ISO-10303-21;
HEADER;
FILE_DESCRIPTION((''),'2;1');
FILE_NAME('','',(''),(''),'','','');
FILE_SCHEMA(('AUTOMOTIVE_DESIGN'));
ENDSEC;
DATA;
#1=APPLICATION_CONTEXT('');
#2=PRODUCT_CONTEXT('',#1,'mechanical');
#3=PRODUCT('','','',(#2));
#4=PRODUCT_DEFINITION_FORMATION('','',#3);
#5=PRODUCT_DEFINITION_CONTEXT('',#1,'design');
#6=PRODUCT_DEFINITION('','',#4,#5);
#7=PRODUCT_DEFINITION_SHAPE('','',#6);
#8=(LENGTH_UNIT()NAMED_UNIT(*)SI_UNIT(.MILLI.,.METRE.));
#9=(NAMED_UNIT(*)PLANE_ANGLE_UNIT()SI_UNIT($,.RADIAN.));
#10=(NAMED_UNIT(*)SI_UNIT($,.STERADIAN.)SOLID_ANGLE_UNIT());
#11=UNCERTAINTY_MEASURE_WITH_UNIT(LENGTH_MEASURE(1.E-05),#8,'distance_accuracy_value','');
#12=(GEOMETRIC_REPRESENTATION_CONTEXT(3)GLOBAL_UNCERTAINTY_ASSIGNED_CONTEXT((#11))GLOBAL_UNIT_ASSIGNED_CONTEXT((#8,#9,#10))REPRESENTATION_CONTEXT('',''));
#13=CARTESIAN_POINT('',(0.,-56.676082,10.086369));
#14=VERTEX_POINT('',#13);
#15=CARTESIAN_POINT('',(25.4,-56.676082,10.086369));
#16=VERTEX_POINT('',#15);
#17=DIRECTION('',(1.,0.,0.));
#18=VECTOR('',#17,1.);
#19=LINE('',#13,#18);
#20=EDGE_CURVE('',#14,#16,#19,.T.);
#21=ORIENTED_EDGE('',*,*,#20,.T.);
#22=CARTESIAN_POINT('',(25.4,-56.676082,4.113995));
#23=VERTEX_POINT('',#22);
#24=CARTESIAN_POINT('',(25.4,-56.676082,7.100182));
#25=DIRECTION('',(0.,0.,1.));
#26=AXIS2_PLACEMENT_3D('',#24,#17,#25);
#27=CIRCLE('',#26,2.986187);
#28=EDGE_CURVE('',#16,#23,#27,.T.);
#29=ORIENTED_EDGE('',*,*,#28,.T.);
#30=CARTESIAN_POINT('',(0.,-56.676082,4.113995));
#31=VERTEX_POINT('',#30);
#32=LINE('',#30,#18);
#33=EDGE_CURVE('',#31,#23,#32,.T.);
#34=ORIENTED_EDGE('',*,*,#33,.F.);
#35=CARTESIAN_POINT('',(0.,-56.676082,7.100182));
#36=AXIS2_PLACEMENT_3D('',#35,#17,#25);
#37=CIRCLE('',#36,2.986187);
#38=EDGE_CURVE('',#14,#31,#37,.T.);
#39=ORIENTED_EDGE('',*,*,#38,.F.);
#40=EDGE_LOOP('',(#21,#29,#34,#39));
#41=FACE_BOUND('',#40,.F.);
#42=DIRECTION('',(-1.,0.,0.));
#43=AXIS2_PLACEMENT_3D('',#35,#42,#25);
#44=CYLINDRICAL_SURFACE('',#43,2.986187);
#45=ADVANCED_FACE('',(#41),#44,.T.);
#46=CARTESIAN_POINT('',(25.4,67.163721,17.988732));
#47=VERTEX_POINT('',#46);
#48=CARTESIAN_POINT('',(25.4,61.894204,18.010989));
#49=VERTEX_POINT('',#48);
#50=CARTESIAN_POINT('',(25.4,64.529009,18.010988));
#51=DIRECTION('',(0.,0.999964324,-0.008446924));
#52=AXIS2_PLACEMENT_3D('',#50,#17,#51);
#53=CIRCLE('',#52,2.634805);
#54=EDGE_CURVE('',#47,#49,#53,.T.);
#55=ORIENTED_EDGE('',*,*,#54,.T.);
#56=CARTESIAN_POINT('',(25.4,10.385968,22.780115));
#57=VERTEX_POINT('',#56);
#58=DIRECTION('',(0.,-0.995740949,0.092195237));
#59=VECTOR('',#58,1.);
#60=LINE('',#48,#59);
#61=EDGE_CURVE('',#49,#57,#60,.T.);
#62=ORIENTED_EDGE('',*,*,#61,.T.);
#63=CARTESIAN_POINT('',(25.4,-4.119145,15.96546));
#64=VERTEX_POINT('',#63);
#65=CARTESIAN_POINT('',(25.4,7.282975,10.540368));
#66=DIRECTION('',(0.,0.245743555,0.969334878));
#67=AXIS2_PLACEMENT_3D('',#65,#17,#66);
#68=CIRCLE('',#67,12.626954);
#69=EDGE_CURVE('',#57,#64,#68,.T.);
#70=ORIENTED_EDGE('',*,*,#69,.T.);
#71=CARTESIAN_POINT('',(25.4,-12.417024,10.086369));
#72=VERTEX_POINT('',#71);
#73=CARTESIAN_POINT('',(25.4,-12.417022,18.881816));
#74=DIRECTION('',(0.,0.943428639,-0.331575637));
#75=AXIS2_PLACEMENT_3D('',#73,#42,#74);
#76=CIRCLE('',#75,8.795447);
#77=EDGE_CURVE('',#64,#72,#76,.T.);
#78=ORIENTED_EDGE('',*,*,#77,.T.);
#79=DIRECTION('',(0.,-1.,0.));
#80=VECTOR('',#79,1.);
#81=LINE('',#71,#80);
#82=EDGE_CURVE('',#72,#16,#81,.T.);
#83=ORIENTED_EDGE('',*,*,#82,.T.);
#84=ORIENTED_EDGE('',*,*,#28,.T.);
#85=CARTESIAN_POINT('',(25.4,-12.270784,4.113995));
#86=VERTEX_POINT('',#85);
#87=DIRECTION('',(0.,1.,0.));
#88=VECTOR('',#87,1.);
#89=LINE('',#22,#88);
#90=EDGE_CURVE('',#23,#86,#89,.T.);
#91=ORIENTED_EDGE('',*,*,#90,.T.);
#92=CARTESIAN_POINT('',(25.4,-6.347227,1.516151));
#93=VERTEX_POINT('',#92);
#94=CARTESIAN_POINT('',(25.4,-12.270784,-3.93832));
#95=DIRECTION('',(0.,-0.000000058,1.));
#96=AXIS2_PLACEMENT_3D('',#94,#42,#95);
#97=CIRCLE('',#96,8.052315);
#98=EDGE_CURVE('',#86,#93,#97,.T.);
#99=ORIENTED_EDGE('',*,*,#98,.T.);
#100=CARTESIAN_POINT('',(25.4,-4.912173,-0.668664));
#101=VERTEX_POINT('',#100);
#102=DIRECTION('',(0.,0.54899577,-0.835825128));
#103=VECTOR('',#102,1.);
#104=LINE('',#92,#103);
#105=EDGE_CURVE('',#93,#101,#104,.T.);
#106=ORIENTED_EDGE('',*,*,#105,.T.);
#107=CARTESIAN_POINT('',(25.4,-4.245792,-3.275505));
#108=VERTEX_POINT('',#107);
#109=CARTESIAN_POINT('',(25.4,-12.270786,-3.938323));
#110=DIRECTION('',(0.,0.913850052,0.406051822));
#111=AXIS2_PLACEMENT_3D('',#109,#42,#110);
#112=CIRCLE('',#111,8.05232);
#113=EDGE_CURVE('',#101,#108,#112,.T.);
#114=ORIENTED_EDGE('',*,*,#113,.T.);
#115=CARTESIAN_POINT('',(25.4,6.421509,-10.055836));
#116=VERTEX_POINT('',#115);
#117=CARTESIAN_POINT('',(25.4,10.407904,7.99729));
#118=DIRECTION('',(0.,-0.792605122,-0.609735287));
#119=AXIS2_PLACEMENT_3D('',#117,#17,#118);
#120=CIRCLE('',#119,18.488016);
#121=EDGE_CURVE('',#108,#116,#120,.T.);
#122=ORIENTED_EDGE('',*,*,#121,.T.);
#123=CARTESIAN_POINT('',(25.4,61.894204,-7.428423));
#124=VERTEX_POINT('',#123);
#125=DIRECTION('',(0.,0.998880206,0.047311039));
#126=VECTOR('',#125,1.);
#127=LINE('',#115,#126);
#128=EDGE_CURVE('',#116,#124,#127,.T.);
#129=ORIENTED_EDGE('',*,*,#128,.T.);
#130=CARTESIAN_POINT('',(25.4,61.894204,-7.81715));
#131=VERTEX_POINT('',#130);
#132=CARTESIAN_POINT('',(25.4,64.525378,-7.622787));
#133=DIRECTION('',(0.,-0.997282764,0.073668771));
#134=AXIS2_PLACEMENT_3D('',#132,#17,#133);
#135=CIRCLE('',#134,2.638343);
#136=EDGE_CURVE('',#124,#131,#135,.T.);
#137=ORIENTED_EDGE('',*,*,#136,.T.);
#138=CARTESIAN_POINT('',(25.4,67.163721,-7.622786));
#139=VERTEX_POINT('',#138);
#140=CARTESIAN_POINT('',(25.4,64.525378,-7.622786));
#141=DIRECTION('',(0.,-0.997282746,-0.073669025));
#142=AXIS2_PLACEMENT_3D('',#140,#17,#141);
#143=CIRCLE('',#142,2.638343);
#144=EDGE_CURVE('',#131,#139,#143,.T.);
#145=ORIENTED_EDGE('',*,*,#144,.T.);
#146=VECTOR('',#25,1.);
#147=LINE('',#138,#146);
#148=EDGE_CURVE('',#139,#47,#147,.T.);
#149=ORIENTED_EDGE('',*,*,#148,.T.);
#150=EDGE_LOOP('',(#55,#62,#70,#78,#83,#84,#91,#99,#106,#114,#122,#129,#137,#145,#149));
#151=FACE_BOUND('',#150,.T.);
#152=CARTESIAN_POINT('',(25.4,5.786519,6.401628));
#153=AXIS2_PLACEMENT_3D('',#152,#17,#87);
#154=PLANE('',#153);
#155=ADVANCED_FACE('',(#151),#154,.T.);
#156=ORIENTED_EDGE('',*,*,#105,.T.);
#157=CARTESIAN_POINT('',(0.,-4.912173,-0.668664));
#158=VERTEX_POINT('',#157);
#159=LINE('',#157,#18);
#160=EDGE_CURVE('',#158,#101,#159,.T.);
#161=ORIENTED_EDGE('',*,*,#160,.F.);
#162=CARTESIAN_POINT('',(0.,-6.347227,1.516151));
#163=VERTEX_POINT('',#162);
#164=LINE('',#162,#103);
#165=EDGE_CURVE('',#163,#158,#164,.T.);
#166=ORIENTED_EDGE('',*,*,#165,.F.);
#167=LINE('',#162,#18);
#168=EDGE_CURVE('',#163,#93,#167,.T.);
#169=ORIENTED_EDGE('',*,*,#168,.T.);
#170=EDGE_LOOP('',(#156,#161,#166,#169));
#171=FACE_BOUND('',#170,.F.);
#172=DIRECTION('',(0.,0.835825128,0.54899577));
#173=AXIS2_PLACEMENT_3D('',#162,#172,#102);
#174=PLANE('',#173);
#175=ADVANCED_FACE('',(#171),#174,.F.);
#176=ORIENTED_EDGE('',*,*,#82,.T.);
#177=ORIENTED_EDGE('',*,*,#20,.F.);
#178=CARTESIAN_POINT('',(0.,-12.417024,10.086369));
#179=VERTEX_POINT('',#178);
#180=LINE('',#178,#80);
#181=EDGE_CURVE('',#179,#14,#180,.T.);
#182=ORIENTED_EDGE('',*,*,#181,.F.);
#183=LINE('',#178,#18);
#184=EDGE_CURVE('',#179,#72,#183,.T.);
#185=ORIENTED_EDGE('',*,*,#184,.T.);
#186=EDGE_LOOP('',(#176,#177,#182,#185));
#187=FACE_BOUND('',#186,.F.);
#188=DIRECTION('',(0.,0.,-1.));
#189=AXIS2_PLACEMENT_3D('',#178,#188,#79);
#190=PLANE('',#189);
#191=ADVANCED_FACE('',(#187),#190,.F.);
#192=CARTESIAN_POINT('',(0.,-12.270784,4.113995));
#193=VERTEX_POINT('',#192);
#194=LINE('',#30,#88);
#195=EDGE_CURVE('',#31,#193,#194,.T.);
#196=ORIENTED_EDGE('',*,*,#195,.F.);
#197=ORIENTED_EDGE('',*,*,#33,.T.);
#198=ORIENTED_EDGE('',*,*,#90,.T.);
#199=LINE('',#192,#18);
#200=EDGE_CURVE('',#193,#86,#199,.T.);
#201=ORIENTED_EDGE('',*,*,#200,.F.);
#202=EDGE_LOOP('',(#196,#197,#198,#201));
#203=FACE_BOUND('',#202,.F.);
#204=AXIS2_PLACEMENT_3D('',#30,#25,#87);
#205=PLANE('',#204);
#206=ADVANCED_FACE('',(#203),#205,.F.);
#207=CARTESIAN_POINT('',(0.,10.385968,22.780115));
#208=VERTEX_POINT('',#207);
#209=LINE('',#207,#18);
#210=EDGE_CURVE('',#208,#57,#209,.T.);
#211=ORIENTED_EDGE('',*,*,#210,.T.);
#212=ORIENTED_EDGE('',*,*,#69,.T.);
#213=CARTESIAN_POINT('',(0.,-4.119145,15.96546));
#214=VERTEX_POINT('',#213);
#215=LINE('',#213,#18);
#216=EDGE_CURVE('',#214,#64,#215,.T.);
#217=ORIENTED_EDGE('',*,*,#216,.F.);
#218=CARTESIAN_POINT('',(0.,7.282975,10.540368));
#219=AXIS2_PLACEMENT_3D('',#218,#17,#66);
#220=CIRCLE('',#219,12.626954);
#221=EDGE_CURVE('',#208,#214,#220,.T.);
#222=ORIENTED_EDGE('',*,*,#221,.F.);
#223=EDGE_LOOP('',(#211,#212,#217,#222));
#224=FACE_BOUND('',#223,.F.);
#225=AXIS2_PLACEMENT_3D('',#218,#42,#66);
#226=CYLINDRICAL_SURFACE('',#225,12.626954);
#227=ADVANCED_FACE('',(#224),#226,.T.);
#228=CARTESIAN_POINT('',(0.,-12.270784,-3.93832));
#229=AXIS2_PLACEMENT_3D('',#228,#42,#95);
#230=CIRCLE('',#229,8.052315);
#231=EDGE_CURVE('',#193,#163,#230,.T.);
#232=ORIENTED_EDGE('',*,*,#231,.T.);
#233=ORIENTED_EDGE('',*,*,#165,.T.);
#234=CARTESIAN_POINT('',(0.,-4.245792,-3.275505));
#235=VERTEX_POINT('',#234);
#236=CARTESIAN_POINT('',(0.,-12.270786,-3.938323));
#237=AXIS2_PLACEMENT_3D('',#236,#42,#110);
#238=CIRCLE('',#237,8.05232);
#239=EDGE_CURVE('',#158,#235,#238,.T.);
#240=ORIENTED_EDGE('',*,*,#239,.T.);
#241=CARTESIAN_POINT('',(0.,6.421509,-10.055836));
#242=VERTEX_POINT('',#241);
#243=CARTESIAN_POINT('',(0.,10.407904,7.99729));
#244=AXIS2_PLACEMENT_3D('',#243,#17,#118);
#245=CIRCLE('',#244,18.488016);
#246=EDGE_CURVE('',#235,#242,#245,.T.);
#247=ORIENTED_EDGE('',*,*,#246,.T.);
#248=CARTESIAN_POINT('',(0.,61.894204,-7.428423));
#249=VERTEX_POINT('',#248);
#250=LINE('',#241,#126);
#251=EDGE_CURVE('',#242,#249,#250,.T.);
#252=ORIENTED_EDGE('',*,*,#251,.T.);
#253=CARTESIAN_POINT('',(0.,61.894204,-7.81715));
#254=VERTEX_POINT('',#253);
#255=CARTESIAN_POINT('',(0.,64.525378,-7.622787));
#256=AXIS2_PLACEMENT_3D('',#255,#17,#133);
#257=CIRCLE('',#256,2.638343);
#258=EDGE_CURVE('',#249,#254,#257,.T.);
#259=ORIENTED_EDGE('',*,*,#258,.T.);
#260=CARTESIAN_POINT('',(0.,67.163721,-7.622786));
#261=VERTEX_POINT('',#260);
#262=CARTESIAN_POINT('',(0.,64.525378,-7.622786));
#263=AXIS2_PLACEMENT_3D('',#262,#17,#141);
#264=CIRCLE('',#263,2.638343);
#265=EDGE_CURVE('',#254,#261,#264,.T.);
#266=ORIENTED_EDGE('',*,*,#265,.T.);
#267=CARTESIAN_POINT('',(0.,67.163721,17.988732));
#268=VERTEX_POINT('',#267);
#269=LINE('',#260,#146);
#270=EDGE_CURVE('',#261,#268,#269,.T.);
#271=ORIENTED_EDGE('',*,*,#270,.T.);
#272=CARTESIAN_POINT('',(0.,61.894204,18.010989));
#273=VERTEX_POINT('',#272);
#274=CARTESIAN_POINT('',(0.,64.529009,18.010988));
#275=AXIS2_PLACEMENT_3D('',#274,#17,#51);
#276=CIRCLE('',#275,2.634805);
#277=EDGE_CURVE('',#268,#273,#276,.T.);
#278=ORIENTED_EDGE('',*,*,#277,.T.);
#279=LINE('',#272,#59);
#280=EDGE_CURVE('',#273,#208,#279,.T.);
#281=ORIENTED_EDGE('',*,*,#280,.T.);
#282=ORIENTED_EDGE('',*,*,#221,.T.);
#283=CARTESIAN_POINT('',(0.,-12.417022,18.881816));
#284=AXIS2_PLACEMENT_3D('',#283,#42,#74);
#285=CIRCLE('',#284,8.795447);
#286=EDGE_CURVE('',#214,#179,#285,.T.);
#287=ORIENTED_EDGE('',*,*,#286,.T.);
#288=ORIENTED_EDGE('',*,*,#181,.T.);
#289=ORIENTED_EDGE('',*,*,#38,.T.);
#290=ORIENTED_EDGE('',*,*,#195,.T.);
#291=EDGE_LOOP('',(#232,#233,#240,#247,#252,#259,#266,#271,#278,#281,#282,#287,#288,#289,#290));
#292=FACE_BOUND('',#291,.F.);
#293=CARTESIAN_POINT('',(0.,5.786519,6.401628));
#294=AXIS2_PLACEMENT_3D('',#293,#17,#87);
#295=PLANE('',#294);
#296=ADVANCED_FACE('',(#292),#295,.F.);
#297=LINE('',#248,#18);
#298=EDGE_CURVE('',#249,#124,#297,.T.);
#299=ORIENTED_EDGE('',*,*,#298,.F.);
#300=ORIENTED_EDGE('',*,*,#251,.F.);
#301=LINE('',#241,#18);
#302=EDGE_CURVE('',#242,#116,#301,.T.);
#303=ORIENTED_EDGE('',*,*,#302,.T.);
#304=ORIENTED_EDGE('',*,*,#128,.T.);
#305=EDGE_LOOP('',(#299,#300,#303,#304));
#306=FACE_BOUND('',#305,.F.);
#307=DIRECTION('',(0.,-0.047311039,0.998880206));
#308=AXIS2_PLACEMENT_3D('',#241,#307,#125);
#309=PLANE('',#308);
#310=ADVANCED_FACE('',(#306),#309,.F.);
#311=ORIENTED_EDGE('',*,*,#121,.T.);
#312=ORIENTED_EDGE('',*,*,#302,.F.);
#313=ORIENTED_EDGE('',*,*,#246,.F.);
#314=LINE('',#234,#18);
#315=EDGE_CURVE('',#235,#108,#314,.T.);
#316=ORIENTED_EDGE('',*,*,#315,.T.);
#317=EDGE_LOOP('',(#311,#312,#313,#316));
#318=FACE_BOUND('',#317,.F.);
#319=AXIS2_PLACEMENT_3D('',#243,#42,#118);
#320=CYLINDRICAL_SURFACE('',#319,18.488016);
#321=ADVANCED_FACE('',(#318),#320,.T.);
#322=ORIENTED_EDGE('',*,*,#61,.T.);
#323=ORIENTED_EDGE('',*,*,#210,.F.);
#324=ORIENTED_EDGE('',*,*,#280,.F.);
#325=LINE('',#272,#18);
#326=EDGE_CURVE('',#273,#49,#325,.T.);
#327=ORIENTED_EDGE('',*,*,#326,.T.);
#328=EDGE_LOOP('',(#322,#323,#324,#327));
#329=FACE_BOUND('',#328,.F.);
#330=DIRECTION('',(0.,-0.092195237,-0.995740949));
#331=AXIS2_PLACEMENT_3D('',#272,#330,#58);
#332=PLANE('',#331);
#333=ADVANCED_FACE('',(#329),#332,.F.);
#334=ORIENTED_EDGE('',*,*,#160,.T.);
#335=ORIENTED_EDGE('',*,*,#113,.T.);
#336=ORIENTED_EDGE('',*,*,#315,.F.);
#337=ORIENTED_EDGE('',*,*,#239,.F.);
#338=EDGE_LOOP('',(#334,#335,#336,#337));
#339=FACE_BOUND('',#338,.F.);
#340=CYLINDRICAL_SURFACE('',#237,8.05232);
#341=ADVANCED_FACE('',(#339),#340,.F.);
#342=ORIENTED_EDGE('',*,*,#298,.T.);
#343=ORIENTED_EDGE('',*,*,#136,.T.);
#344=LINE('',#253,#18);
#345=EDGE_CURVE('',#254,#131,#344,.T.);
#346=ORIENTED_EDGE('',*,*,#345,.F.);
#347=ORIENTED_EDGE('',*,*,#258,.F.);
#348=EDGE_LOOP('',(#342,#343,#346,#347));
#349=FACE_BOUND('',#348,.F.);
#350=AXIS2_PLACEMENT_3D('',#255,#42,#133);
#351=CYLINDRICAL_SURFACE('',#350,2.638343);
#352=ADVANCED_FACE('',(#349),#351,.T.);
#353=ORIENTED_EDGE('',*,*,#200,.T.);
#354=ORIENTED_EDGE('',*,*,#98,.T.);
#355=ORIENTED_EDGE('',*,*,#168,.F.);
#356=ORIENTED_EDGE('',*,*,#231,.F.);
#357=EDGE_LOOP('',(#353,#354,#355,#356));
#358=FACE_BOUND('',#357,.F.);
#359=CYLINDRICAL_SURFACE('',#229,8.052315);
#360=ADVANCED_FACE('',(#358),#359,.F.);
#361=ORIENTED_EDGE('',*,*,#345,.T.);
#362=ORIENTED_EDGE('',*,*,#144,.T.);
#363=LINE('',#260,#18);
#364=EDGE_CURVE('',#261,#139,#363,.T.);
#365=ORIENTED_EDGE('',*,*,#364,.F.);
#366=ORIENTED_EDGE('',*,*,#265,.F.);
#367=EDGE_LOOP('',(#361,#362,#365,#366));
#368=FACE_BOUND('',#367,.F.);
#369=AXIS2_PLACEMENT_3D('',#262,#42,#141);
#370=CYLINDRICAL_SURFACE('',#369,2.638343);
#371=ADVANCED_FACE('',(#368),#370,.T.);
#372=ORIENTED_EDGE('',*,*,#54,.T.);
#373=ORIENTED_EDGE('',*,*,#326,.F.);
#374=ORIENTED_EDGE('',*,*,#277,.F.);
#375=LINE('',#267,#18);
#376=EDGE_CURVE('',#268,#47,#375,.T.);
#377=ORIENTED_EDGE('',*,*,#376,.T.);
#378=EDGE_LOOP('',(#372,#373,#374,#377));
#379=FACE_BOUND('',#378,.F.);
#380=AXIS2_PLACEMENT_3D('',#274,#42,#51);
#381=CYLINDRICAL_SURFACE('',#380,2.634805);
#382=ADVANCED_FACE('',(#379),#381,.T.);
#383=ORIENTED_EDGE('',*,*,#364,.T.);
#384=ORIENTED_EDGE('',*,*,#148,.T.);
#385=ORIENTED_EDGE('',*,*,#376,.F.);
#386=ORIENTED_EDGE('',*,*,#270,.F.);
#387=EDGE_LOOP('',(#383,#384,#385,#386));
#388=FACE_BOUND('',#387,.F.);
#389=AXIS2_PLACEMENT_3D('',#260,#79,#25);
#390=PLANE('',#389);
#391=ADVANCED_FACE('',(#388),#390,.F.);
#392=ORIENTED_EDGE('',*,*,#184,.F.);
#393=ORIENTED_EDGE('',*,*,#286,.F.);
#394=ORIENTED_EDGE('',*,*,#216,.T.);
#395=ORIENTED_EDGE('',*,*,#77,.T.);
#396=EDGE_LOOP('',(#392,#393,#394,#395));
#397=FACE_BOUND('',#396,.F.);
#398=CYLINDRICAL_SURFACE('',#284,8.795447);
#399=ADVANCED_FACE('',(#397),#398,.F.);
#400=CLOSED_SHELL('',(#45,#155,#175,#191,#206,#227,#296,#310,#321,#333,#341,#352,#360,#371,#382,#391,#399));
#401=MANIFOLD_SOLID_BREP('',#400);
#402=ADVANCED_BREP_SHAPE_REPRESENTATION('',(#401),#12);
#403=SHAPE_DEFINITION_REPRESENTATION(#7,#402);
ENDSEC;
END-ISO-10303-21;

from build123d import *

# Parameters (mm, degrees)
F1_DEPTH = 25.4


with BuildPart() as f1:
    # F0 (on Right) → F1 (new body)
    with BuildSketch(Plane.YZ):
        with BuildLine():
            ThreePointArc((-4.119145, 15.96546), (-7.332279, 11.705098), (-12.417024, 10.086369))
            Line((-12.417024, 10.086369), (-56.676082, 10.086369))
            ThreePointArc((-56.676082, 10.086369), (-59.662269, 7.100182), (-56.676082, 4.113995))
            Line((-56.676082, 4.113995), (-12.270784, 4.113995))
            ThreePointArc((-12.270784, 4.113995), (-9.036695, 3.43599), (-6.347227, 1.516151))
            Line((-6.347227, 1.516151), (-4.912173, -0.668664))
            ThreePointArc((-4.912173, -0.668664), (-4.469328, -1.944054), (-4.245792, -3.275505))
            ThreePointArc((-4.245792, -3.275505), (0.490421, -7.605602), (6.421509, -10.055836))
            Line((6.421509, -10.055836), (61.894204, -7.428423))
            Line((61.894204, -7.428423), (61.894204, 18.010989))
            Line((61.894204, 18.010989), (10.385968, 22.780115))
            ThreePointArc((10.385968, 22.780115), (1.913733, 21.968894), (-4.119145, 15.96546))
        make_face()
        with BuildLine():
            Line((61.894204, -7.81715), (61.894204, -7.428423))
            ThreePointArc((61.894204, -7.428423), (61.887035, -7.622786), (61.894204, -7.81715))
        make_face()
        with BuildLine():
            ThreePointArc((67.163721, 17.988732), (64.540138, 20.64577), (61.894204, 18.010989))
            Line((61.894204, 18.010989), (61.894204, -7.428423))
            Line((61.894204, -7.428423), (61.894204, -7.81715))
            ThreePointArc((61.894204, -7.81715), (64.622626, -10.259336), (67.163721, -7.622786))
            Line((67.163721, -7.622786), (67.163721, 17.988732))
        make_face()
    extrude(amount=F1_DEPTH)


solid = f1.part
